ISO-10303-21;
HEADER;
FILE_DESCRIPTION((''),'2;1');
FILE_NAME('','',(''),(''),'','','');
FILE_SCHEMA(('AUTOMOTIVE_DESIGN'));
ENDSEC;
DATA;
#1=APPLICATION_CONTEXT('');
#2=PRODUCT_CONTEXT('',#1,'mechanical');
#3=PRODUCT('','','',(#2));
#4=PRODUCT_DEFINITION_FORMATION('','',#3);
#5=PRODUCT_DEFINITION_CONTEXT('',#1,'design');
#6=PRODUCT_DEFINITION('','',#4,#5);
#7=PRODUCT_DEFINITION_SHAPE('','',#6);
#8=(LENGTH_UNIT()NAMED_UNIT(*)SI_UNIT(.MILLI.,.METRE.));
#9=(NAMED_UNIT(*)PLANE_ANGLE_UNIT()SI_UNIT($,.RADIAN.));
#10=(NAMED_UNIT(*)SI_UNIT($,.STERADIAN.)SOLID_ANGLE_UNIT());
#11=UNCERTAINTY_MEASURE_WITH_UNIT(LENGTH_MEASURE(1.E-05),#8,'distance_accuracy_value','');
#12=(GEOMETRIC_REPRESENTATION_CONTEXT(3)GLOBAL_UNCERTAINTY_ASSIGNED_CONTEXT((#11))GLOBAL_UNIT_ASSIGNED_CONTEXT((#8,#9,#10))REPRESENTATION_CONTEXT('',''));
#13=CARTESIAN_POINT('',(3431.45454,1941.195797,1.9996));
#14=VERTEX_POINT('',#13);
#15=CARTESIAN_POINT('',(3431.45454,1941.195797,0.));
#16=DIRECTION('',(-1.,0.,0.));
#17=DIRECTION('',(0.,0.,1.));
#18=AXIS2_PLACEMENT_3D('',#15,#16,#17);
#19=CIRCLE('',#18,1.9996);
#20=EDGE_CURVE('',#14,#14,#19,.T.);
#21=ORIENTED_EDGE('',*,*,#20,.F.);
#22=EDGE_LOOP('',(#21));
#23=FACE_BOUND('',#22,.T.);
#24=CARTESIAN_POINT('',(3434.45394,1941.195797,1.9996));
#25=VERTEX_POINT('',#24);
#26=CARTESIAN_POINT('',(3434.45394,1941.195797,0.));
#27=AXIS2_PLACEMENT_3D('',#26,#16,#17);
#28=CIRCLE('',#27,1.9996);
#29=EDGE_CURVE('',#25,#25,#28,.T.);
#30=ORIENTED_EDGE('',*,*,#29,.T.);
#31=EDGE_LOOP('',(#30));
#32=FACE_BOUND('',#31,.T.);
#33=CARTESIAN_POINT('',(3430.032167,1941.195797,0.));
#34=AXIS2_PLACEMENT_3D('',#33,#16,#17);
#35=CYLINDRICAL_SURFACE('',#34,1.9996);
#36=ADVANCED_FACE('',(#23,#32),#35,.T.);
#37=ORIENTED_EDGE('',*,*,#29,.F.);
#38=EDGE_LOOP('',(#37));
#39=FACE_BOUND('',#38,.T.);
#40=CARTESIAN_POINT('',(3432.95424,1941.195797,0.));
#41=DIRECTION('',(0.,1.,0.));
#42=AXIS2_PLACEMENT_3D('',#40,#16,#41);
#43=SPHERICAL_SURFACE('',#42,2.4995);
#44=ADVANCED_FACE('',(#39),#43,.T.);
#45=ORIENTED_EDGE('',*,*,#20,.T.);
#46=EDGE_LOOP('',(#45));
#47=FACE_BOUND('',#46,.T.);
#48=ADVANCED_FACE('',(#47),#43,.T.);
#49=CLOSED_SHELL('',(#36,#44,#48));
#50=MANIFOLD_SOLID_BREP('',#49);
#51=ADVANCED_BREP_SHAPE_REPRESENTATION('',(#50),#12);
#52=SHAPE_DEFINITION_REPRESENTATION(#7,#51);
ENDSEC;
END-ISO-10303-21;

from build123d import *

# Parameters (mm, degrees)
SKETCH_1_ONE_SIDE_W = 2.99940003
SKETCH_1_ONE_SIDE_H = 1.99960002


with BuildPart() as part:
    # 草图1 one side → 旋转1 (revolve)
    with BuildSketch(Plane.XY):
        with Locations((3432.954240112, 1942.195597406)):
            Rectangle(SKETCH_1_ONE_SIDE_W, SKETCH_1_ONE_SIDE_H)
        with BuildLine():
            Line((3430.454740087, 1941.195797396), (3431.454540097, 1941.195797396))
            Line((3431.454540097, 1941.195797396), (3431.454540097, 1943.195397416))
            ThreePointArc((3431.454540097, 1943.195397416), (3430.718619326, 1942.313607789), (3430.454740087, 1941.195797396))
        make_face()
        with BuildLine():
            Line((3434.453940127, 1941.195797396), (3435.453740137, 1941.195797396))
            ThreePointArc((3435.453740137, 1941.195797396), (3435.189860898, 1942.313607789), (3434.453940127, 1943.195397416))
            Line((3434.453940127, 1943.195397416), (3434.453940127, 1941.195797396))
        make_face()
    revolve(axis=Axis((3430.032166875, 1941.195797396, 0), (1, 0, 0)))


solid = part.part
